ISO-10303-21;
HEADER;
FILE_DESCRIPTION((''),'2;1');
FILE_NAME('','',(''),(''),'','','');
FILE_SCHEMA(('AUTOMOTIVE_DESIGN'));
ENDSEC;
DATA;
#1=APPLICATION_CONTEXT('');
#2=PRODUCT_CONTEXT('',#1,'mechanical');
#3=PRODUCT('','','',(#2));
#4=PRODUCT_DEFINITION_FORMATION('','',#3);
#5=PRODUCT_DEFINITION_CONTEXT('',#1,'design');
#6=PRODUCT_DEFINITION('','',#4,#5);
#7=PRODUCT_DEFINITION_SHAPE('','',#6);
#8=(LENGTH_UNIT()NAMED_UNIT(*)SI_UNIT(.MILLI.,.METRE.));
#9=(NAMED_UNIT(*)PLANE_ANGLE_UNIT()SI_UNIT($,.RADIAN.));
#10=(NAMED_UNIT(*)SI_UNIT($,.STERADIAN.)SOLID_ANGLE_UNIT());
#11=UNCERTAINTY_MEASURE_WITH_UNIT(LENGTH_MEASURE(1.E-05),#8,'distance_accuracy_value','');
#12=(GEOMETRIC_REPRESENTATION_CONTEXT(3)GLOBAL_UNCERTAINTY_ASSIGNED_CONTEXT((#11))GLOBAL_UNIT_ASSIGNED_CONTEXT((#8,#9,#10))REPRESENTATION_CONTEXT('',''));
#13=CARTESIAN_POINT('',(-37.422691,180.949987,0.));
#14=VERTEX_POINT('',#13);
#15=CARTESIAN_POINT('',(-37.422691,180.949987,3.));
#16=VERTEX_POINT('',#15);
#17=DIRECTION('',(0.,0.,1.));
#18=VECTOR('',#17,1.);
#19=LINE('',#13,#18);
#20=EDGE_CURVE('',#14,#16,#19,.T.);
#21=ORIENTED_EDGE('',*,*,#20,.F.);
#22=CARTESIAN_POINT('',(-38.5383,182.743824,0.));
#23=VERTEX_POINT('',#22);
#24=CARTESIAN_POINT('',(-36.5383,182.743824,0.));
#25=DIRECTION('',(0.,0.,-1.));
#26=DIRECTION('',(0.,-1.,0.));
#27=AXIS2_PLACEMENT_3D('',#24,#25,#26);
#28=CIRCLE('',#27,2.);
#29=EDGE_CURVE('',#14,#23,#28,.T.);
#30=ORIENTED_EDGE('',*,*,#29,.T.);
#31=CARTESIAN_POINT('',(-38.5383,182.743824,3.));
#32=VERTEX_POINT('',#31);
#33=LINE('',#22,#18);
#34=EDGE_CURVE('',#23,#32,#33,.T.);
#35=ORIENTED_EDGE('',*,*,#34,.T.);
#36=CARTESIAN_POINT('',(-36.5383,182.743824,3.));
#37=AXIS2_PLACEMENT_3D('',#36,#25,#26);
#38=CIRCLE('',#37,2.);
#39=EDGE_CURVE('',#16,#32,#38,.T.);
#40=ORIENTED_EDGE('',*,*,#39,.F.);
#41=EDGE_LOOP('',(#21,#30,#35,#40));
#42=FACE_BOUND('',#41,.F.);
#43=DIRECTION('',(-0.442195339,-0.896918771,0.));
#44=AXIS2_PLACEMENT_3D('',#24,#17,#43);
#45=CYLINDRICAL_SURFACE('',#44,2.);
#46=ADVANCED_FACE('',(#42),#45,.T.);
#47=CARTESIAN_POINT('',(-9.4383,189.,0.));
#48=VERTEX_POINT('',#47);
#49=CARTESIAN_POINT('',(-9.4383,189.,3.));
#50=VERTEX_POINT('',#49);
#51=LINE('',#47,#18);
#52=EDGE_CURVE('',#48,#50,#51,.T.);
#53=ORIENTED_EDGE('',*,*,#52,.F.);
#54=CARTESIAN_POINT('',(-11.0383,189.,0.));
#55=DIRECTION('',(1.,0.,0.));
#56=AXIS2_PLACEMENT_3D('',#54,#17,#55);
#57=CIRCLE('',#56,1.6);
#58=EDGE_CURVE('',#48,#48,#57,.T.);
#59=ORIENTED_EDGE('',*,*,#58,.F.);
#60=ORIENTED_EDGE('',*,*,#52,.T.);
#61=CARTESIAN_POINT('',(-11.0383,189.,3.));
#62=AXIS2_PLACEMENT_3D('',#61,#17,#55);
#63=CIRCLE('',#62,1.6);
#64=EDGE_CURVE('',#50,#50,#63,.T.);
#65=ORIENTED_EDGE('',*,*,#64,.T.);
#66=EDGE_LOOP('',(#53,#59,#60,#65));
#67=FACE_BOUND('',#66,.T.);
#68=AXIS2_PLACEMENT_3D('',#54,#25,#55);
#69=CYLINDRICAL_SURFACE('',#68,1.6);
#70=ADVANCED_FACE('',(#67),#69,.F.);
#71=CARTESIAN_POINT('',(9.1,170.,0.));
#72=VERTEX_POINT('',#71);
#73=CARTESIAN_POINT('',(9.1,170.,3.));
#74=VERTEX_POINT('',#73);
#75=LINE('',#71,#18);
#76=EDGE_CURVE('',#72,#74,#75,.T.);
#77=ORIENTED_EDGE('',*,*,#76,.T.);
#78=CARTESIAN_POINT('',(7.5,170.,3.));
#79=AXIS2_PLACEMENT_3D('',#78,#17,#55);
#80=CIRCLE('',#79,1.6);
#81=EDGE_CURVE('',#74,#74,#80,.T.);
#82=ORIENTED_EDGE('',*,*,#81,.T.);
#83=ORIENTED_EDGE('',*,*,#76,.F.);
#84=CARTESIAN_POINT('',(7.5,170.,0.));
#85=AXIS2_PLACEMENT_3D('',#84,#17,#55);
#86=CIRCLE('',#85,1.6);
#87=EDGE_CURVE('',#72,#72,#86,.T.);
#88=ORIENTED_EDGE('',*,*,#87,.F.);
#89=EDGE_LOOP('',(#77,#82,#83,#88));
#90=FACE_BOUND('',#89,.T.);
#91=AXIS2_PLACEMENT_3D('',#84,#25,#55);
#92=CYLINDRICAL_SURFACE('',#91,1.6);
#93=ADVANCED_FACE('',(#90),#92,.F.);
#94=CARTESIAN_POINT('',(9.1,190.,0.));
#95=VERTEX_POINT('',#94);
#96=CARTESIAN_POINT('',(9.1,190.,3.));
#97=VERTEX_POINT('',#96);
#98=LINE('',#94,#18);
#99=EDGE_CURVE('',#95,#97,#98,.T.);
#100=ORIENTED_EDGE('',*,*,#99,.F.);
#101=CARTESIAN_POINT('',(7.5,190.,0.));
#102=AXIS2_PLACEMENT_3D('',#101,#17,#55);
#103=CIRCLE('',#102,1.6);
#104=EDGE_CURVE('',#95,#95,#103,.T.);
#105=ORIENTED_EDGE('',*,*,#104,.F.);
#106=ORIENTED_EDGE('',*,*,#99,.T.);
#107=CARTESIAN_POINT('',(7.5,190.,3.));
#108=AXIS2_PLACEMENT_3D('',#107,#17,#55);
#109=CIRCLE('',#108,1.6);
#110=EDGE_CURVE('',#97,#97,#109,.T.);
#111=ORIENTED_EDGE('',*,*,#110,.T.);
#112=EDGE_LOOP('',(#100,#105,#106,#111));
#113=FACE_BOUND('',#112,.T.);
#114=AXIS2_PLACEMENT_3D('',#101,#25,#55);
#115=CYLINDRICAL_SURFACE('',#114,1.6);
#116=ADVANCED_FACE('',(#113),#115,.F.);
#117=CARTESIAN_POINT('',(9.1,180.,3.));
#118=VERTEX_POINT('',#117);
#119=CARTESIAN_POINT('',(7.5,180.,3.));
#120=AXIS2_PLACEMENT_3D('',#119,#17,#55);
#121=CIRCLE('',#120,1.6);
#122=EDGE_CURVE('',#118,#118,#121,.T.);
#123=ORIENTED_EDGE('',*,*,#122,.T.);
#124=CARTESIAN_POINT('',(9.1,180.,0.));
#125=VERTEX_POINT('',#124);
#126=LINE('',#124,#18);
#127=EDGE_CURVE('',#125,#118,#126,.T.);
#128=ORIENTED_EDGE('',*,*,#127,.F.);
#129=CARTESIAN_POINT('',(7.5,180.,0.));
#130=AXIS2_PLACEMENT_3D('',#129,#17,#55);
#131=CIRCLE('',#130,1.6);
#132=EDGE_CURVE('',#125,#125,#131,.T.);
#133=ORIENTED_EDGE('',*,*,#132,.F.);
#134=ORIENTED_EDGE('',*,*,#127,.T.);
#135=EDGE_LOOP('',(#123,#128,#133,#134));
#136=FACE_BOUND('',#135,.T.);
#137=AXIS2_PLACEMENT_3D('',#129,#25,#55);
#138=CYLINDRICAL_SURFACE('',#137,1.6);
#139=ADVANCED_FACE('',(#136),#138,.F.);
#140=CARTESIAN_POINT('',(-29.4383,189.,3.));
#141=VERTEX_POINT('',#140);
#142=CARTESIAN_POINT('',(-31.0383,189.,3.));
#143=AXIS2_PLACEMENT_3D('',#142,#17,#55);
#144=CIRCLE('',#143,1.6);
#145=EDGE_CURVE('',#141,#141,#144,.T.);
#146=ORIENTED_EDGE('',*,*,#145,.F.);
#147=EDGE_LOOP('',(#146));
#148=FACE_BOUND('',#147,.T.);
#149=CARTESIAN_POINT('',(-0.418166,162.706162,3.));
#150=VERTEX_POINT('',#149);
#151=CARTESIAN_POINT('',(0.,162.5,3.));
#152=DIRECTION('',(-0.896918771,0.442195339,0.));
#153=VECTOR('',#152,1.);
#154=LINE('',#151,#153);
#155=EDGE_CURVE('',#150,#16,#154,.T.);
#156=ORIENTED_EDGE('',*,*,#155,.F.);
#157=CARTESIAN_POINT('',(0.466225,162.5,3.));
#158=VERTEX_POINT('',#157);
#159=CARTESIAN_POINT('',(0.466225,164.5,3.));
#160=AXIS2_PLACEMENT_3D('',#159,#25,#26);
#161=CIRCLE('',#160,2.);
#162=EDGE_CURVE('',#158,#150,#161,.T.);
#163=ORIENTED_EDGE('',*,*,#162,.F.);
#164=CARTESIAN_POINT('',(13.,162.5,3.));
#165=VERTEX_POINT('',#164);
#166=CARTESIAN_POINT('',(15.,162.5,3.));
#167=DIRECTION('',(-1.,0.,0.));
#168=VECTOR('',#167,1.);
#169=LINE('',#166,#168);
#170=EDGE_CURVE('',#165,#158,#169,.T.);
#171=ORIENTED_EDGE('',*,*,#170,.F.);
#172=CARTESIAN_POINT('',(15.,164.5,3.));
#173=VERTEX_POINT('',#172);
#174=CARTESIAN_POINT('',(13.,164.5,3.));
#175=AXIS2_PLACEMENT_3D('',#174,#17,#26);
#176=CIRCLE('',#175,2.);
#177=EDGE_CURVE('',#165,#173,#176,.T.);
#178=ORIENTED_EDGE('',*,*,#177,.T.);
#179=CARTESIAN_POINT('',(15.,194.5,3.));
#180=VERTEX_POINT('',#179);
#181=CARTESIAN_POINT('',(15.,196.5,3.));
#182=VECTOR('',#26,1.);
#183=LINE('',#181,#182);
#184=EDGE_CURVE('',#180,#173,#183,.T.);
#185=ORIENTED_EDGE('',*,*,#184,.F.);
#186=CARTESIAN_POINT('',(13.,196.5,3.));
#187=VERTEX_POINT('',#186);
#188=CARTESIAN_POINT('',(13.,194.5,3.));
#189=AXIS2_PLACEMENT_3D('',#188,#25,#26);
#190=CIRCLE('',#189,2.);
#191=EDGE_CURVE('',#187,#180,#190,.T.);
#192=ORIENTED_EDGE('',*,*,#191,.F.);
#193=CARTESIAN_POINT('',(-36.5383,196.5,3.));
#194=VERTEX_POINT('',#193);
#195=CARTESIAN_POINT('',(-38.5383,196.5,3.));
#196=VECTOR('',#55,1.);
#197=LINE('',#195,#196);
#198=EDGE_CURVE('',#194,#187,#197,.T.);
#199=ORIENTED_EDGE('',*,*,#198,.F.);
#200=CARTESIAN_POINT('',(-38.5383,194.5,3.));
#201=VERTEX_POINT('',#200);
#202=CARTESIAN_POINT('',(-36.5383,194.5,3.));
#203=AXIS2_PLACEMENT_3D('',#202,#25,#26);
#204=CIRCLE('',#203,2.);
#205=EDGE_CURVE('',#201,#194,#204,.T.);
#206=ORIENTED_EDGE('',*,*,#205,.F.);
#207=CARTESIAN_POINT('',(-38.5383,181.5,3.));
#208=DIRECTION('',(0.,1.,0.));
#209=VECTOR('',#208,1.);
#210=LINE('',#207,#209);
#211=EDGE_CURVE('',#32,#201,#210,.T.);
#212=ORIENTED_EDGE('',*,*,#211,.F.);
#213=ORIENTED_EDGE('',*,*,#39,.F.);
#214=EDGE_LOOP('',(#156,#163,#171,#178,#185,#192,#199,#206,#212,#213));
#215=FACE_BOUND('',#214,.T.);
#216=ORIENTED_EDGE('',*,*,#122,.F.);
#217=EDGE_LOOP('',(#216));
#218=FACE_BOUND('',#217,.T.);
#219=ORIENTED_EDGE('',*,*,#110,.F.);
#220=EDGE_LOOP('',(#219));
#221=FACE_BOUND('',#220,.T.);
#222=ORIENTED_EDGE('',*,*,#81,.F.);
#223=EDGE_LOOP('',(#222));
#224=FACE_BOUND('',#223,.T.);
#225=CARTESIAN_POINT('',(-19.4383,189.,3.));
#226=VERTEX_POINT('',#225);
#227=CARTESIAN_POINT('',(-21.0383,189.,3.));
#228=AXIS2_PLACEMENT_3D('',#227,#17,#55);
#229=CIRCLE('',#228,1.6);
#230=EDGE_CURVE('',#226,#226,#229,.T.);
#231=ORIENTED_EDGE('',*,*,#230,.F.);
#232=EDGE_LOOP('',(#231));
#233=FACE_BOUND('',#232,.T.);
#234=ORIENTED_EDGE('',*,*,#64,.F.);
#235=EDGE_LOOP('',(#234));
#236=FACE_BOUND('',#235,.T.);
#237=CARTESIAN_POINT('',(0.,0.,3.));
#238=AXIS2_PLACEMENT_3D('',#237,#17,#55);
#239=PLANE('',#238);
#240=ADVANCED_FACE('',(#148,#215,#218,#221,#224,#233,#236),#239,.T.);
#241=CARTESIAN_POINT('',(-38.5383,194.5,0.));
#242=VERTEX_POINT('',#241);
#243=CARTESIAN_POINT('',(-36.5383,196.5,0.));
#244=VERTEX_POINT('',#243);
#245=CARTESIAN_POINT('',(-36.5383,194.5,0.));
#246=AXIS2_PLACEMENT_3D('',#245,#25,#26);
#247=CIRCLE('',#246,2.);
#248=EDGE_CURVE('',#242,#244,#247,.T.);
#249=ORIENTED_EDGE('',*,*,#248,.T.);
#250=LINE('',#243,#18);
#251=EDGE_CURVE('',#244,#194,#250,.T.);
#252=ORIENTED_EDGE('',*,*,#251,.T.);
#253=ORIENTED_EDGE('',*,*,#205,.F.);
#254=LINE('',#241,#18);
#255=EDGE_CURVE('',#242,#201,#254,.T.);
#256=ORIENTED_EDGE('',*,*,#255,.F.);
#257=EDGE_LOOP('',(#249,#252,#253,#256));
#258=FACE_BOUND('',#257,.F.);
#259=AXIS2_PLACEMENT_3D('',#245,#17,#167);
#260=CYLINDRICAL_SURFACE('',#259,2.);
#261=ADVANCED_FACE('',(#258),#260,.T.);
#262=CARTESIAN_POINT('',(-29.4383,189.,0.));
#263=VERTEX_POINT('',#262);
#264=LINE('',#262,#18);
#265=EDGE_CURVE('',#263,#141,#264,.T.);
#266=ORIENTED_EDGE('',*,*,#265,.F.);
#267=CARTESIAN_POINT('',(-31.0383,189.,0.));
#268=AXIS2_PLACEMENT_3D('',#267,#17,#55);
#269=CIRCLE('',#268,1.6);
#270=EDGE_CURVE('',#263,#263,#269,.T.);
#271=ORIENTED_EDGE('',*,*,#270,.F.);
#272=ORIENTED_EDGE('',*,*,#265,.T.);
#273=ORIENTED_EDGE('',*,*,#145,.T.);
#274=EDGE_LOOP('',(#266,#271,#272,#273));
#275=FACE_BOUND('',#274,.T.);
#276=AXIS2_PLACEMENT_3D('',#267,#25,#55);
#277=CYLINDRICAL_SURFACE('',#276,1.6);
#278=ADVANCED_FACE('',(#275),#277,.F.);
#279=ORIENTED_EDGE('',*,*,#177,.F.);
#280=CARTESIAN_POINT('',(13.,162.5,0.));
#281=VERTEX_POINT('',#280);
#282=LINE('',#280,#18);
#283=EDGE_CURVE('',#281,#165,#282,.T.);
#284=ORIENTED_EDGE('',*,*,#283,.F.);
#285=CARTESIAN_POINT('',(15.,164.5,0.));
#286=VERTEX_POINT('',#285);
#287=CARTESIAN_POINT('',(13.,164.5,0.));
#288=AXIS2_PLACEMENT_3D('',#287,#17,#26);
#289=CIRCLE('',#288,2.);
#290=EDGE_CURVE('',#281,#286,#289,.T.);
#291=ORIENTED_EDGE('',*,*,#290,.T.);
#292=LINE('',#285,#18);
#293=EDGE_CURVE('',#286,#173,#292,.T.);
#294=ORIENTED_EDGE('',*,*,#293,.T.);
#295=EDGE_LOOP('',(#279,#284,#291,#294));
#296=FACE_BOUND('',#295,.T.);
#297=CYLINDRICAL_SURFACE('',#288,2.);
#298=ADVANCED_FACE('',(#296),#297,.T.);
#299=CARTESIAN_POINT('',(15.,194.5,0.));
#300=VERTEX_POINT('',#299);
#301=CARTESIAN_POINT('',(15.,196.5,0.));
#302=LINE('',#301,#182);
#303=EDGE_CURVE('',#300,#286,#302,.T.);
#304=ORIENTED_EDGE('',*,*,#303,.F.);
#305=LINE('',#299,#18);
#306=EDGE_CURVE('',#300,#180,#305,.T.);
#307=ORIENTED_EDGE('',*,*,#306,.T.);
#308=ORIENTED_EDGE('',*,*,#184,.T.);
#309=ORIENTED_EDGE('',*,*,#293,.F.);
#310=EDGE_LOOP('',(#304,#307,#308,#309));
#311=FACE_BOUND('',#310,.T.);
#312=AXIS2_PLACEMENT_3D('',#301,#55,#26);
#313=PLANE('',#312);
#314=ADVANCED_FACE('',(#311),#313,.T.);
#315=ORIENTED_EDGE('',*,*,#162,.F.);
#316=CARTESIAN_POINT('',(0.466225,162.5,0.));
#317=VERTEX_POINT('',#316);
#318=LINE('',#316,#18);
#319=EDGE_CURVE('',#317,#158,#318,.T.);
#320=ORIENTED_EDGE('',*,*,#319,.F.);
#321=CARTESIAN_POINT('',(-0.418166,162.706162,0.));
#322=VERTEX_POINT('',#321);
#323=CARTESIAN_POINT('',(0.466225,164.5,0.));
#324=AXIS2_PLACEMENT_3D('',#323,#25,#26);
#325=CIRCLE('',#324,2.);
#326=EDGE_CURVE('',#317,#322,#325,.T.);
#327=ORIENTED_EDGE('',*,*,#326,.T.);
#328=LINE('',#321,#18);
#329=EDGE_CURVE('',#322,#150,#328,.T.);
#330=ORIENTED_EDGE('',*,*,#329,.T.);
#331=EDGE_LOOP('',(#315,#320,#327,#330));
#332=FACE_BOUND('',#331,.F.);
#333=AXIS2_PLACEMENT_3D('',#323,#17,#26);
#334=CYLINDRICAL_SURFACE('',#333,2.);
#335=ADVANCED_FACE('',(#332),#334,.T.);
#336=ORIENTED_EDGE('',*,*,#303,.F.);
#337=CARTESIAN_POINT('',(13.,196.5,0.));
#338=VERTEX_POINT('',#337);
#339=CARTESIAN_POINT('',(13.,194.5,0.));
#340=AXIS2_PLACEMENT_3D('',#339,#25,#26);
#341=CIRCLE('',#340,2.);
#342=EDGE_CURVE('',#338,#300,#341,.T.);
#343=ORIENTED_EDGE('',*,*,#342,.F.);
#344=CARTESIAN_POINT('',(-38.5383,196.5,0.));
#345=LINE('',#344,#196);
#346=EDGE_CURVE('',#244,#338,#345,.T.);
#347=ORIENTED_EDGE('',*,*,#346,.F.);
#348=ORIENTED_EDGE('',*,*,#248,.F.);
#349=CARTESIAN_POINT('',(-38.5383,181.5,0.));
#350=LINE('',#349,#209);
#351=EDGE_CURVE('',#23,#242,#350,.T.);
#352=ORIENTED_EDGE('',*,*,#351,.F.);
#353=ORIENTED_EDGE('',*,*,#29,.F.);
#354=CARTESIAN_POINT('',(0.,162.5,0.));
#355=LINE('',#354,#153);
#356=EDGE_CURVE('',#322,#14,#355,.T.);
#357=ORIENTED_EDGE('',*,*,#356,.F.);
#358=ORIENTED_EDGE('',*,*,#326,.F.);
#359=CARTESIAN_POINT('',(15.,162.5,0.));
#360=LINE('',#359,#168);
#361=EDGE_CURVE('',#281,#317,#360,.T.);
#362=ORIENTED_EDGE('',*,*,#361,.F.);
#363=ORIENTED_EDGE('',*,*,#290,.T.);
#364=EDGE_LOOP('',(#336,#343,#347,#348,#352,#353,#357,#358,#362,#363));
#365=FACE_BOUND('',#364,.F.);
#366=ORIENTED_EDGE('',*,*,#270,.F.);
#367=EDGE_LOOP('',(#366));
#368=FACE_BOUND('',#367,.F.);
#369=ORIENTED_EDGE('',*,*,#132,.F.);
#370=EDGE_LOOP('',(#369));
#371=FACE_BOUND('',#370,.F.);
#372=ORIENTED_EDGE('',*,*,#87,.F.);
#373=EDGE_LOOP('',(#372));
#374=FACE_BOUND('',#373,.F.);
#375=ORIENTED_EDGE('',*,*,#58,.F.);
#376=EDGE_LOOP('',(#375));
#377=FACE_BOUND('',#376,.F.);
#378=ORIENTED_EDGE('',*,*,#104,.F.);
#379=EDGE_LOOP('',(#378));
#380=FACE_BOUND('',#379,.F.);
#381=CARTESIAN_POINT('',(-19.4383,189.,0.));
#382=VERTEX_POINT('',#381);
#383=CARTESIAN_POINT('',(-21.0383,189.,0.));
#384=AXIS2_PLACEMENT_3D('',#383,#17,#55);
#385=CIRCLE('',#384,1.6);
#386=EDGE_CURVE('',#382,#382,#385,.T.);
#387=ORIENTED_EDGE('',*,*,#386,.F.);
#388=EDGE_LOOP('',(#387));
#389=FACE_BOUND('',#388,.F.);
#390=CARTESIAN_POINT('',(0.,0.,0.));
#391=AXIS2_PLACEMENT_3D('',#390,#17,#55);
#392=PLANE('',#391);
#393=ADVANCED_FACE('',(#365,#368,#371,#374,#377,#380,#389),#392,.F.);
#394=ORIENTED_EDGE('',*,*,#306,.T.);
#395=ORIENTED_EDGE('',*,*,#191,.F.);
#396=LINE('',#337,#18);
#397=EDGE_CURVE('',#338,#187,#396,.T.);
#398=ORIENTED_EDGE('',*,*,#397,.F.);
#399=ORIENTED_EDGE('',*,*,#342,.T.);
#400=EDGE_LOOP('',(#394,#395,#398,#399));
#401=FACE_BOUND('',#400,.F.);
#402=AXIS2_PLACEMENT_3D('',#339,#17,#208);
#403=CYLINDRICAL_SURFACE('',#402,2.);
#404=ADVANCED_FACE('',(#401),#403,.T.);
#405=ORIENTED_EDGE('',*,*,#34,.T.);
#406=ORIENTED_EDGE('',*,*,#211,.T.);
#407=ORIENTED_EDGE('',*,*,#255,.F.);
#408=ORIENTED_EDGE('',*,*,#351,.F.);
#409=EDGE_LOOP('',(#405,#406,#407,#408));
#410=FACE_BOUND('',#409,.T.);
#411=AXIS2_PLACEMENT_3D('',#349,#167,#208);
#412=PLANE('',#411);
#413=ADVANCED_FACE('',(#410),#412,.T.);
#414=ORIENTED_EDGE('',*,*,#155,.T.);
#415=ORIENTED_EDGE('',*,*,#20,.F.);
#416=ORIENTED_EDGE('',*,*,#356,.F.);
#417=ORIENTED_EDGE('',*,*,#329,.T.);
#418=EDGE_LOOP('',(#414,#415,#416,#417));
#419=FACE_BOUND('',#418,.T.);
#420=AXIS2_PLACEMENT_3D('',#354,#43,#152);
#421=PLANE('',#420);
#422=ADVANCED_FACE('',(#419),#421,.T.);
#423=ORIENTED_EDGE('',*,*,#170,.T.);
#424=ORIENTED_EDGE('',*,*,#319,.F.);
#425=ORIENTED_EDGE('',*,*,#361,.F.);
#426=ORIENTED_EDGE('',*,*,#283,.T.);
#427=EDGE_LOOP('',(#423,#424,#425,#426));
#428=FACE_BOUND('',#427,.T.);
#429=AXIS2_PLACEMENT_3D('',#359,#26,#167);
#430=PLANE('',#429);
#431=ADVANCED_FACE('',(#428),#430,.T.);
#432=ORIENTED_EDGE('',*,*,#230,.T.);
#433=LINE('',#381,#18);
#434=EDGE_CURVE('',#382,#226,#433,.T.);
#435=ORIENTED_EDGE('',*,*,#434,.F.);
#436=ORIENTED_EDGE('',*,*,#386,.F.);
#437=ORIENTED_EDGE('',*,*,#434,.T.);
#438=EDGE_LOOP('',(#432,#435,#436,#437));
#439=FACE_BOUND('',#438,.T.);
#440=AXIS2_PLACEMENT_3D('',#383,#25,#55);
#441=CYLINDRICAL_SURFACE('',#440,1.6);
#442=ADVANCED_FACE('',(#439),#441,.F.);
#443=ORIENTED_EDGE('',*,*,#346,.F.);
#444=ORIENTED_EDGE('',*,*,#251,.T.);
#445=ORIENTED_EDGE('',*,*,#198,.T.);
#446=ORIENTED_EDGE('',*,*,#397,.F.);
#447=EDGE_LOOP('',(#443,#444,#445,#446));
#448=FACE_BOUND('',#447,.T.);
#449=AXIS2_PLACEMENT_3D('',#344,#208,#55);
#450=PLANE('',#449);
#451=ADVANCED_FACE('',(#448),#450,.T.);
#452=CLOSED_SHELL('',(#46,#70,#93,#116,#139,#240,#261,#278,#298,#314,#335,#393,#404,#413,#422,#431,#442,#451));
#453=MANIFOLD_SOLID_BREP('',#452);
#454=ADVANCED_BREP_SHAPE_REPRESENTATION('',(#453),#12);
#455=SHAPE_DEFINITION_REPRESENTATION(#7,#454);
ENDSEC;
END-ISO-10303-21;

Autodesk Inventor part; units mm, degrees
ref_plane "YZ Plane" through (0, 0, 0) normal (1, 0, 0) x (0, 1, 0)
ref_plane "XZ Plane" through (0, 0, 0) normal (0, 1, 0) x (-1, 0, 0)
ref_plane "作業平面1" through (0, 0, 0) normal (0, 0, 1) x (1, 0, 0)
sketch "スケッチ1" plane through (0, 0, 0) normal (0, 0, 1) x (1, 0, 0)
  circle A0 centre (7.5, 170) radius 1.6 projected
  circle A1 centre (7.5, 180) radius 1.6 projected
  circle A2 centre (7.5, 190) radius 1.6 projected
  circle A3 centre (-11.0383, 189) radius 1.6 projected
  circle A4 centre (-21.0383, 189) radius 1.6 projected
  circle A5 centre (-31.0383, 189) radius 1.6 projected
  line L0 (15, 162.5) -> (0, 162.5)
  line L1 (0, 162.5) -> (-38.5383, 181.5)
  line L2 (-38.5383, 181.5) -> (-38.5383, 196.5)
  line L3 (-38.5383, 196.5) -> (15, 196.5)
  line L4 (15, 196.5) -> (15, 162.5)
  point P0 (0, 0)
  dimension "d0" = 7.5
  dimension "d1" = 7.5
  dimension "d2" = 7.5
  dimension "d3" = 7.5
  dimension "d4" = 7.5
  dimension "d5" = 7.5
extrude "押し出し1" add sketch "スケッチ1" along normal blind 3
fillet "フィレット1" radius 2 5 edges at (15, 162.5, 1.5) (15, 196.5, 1.5) (-38.5383, 196.5, 1.5) (-38.5383, 181.5, 1.5) (0, 162.5, 1.5)
properties part number "オムニ_koteigu" material "アルミニウム 6061"
